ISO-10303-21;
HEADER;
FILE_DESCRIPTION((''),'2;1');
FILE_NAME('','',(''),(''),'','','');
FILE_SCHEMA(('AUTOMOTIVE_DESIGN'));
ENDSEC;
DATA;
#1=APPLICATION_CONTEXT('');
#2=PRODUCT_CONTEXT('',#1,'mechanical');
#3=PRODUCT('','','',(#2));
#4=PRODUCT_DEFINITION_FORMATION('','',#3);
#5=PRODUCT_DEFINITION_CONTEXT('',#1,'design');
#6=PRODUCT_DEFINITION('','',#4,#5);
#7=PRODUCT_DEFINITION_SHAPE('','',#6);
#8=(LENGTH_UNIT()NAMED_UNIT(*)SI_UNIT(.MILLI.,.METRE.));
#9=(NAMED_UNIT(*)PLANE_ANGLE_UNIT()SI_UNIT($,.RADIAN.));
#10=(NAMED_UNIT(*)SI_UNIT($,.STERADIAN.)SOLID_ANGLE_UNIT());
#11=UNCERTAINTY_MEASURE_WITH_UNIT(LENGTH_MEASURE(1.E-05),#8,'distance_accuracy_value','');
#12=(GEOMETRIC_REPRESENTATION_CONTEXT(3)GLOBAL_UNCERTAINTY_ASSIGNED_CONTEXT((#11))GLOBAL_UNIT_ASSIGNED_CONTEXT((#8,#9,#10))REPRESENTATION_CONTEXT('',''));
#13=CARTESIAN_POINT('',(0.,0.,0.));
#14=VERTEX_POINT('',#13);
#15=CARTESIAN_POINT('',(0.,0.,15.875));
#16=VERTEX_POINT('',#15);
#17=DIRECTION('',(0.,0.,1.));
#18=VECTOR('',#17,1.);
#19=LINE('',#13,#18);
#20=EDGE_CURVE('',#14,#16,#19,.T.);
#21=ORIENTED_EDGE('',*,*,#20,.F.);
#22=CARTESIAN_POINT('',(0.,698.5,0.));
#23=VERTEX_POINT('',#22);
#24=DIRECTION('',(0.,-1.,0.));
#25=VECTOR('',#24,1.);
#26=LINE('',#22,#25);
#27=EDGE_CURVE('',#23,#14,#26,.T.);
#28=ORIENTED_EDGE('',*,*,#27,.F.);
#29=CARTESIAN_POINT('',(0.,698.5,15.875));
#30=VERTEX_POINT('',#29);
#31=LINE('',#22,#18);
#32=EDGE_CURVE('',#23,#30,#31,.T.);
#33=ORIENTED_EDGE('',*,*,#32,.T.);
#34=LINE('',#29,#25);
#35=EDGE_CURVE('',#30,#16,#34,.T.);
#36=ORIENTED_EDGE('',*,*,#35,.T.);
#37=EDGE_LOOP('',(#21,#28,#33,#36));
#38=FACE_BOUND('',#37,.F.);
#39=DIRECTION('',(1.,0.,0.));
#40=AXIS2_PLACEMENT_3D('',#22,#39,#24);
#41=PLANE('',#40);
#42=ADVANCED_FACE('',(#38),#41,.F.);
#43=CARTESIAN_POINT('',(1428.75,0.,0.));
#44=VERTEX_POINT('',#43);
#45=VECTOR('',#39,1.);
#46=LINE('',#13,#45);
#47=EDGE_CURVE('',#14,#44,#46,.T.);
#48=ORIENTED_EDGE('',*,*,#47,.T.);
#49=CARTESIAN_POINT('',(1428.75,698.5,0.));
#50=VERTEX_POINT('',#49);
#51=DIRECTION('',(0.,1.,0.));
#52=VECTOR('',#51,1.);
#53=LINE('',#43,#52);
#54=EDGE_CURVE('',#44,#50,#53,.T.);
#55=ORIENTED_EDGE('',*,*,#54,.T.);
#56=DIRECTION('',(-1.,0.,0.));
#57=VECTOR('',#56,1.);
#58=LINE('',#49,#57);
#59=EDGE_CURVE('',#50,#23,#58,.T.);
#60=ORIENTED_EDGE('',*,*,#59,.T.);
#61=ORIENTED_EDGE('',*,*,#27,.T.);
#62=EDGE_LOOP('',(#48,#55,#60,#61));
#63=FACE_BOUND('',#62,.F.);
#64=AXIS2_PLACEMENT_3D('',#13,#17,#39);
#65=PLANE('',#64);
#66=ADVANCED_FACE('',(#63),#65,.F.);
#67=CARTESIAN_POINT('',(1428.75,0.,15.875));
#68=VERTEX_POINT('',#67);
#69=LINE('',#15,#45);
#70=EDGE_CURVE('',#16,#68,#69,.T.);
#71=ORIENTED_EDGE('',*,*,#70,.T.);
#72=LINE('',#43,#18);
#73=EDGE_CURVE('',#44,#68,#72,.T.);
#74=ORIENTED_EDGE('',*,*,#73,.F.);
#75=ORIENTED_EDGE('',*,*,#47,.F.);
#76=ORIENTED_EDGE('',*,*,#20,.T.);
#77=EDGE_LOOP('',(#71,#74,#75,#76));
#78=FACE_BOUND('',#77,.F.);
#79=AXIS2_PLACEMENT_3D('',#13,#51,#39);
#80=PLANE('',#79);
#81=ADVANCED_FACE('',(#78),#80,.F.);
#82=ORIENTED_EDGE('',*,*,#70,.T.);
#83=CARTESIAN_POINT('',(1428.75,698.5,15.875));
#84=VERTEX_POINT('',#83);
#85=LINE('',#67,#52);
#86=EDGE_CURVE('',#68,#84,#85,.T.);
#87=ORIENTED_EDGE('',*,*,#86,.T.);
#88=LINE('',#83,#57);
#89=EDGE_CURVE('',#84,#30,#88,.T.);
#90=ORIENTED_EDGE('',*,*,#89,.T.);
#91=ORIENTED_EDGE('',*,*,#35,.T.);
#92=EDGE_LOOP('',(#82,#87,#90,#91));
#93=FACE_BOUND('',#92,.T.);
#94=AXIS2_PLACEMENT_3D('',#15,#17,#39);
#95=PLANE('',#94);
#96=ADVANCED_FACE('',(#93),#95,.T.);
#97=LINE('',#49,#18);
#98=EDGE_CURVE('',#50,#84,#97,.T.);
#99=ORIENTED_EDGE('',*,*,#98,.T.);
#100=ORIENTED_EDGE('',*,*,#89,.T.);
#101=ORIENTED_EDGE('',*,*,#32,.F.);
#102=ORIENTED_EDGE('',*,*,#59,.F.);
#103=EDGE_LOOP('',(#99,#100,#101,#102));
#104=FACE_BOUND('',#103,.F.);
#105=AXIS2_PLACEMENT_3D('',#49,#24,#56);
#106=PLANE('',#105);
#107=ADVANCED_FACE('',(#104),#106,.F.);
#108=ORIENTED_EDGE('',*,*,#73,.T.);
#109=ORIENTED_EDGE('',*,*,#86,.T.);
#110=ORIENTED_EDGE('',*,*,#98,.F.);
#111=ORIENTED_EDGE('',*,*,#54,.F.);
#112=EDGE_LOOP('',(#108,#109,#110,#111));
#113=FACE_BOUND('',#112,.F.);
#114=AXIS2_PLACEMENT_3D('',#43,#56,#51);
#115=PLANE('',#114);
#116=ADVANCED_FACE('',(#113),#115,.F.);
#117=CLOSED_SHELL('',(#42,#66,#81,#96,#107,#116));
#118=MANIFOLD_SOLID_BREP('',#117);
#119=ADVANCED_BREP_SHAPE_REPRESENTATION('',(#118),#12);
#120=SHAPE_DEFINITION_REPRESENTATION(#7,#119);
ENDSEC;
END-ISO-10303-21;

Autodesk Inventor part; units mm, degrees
ref_plane "YZ Plane" through (0, 0, 0) normal (1, 0, 0) x (0, 1, 0)
ref_plane "XZ Plane" through (0, 0, 0) normal (0, 1, 0) x (-1, 0, 0)
ref_plane "XY Plane" through (0, 0, 0) normal (0, 0, 1) x (1, 0, 0)
sketch "Sketch1" plane through (0, 0, 0) normal (0, 0, 1) x (1, 0, 0)
  line L0 (0, 0) -> (1428.75, 0)
  line L1 (1428.75, 0) -> (1428.75, 698.5)
  line L2 (1428.75, 698.5) -> (0, 698.5)
  line L3 (0, 698.5) -> (0, 0)
  dimension "d0" = 1428.75
  dimension "d1" = 698.5
extrude "Extrusion1" add sketch "Sketch1" along normal blind 15.875
properties part number "Half Ceiling"
